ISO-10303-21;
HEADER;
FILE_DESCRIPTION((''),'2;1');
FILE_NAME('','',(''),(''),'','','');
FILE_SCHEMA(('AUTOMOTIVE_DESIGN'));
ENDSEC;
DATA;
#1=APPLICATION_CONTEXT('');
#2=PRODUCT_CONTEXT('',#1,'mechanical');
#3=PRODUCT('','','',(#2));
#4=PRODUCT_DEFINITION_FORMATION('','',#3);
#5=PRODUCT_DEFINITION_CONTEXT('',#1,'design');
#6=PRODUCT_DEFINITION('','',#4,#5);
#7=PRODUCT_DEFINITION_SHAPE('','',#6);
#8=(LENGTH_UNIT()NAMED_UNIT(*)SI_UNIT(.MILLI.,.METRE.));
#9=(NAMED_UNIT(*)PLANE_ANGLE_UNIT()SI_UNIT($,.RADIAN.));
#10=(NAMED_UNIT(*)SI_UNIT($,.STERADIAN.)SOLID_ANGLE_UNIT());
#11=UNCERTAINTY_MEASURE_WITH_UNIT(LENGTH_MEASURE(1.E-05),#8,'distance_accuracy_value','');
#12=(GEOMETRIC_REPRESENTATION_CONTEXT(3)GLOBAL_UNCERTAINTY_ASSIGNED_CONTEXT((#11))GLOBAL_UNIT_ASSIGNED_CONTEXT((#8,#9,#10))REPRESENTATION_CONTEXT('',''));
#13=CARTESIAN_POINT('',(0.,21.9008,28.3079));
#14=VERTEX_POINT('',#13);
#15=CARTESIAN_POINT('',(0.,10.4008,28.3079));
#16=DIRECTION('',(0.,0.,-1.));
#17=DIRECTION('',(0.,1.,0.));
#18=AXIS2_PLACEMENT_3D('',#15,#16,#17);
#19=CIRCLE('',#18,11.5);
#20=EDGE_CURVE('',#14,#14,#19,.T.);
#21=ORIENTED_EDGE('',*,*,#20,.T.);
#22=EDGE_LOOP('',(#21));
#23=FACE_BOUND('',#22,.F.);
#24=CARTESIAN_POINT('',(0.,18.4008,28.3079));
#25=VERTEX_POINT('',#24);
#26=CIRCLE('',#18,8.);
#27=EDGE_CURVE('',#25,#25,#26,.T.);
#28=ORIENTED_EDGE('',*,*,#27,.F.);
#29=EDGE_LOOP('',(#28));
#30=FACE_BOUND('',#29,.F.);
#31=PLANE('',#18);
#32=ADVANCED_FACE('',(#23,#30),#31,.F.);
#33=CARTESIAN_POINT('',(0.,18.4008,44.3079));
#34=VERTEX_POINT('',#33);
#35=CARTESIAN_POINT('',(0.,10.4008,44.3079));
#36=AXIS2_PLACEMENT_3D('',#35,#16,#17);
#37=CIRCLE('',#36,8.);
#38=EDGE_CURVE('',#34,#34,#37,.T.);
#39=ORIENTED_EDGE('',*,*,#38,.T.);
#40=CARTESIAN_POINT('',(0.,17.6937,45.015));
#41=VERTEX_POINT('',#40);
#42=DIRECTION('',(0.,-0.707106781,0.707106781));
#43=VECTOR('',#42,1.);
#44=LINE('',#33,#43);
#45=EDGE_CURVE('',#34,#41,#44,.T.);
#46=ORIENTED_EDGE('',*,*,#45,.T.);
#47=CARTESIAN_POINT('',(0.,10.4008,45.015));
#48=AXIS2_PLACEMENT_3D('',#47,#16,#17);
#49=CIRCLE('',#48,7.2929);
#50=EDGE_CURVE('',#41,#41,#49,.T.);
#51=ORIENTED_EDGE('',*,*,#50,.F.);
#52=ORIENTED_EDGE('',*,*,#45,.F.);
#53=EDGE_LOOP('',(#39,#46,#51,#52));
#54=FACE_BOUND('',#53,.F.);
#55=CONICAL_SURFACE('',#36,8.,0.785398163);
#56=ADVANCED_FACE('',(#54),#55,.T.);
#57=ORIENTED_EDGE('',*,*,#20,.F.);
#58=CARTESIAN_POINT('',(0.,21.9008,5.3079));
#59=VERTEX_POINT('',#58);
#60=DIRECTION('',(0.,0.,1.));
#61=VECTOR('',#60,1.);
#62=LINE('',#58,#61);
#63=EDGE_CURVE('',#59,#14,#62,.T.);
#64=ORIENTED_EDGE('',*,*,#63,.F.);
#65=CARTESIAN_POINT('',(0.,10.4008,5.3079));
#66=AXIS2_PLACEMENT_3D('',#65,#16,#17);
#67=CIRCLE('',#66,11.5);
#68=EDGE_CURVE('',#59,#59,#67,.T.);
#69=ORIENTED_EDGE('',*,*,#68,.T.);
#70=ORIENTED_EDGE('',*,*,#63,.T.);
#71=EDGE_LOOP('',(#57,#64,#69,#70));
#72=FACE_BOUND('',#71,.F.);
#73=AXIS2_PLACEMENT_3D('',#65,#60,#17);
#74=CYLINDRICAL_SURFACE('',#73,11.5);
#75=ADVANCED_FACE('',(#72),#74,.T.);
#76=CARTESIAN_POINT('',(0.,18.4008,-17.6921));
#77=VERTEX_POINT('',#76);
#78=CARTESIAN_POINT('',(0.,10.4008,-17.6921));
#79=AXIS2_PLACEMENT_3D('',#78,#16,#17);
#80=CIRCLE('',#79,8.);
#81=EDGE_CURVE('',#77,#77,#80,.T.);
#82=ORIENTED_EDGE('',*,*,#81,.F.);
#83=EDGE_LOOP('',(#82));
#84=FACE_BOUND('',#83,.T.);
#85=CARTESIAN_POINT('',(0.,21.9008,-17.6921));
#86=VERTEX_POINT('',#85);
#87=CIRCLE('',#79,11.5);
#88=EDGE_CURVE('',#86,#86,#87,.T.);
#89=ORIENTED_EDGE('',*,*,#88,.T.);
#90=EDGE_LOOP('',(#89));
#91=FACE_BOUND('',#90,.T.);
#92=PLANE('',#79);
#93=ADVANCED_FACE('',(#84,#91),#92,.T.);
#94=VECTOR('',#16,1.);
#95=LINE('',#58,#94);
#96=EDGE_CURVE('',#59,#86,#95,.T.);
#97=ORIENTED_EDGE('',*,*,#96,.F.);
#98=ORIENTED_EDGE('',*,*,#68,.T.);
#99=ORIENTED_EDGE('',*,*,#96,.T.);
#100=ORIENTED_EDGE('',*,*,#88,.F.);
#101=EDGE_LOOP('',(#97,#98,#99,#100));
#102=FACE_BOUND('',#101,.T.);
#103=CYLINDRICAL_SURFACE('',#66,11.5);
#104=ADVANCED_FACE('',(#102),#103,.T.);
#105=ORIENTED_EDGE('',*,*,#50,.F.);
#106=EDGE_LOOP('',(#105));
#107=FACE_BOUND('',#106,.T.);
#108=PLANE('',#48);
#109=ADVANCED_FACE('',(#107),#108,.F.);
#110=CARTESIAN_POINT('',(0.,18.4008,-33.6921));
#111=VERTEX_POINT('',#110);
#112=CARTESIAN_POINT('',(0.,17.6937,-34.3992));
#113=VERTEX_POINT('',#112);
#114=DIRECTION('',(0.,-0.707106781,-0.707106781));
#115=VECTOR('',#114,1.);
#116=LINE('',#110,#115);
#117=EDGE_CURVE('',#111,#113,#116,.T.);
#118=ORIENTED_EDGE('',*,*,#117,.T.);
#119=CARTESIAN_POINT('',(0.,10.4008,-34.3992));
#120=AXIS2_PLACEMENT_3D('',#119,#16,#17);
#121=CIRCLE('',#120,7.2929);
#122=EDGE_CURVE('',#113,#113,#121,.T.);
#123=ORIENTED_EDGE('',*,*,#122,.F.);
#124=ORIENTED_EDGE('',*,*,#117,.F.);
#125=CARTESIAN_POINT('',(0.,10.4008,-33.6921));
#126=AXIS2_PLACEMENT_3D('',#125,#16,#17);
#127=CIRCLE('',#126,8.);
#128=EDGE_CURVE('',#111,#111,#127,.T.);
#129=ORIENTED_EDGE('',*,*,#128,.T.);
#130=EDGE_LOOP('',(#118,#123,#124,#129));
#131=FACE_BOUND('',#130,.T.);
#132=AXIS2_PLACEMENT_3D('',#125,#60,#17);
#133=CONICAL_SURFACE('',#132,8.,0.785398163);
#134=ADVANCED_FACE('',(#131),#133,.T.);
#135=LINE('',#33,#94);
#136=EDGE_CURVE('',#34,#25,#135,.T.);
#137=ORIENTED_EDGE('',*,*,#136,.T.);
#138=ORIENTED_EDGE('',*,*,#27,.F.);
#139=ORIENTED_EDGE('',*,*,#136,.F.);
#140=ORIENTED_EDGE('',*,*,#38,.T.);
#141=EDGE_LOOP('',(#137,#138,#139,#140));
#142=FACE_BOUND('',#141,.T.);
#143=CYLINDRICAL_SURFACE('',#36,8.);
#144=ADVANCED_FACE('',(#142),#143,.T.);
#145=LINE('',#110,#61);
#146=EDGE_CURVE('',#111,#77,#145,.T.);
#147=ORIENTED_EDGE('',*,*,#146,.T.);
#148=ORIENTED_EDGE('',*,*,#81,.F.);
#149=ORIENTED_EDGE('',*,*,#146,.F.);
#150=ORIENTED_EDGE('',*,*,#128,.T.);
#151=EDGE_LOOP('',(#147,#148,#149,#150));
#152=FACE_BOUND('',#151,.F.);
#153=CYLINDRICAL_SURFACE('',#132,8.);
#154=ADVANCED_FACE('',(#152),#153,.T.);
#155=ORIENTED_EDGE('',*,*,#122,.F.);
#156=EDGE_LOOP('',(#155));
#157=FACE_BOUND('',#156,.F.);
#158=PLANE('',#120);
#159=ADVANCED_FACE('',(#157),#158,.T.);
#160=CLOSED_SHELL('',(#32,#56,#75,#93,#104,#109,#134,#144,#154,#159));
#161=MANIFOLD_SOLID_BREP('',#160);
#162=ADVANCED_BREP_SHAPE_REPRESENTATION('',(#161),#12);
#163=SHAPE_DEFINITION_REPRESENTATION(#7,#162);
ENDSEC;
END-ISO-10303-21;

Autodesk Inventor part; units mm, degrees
ref_plane "YZ Plane" through (0, 0, 0) normal (1, 0, 0) x (0, 1, 0)
ref_plane "XZ Plane" through (0, 0, 0) normal (0, 1, 0) x (-1, 0, 0)
ref_plane "XY Plane" through (0, 0, 0) normal (0, 0, 1) x (1, 0, 0)
sketch "Sketch1" plane through (0, 0, 0) normal (1, 0, 0) x (0, 1, 0)
  line L0 (21.9008, 5.3079) -> (21.9008, 28.3079)
  line L1 (18.4008, 28.3079) -> (17.6937, 28.3079)
  line L2 (2.4008, 44.015) -> (2.4008, 44.3079)
  line L3 (18.4008, 44.3079) -> (18.4008, 28.3079)
  line L4 (21.9008, 5.3079) -> (17.6937, 5.3079)
  line L5 (3.1079, 44.015) -> (3.1079, 45.015)
  line L6 (10.4008, 45.015) -> (17.6937, 45.015)
  line L7 (17.6937, 44.3079) -> (17.6937, 44.015)
  line L8 (18.4008, 44.3079) -> (17.6937, 45.015)
  line L9 (3.1079, 45.015) -> (2.4008, 44.3079)
  line L10 (21.9008, 5.3079) -> (21.9008, -17.6921)
  line L11 (18.4008, -17.6921) -> (17.6937, -17.6921)
  line L12 (2.4008, -33.3992) -> (2.4008, -33.6921)
  line L13 (18.4008, -33.6921) -> (18.4008, -17.6921)
  line L14 (3.1079, -33.3992) -> (3.1079, -33.6921)
  line L15 (10.4008, -34.3992) -> (17.6937, -34.3992)
  line L16 (18.4008, -33.6921) -> (17.6937, -34.3992)
  line L17 (10.4008, 15) -> (10.4008, -10)
  line L18 (10.4008, 15) -> (10.4008, 87)
  line L19 (10.4008, 87) -> (10.4008, 13)
  line L20 (10.4008, 5.3079) -> (10.4008, -49)
  line L21 (2.4008, 44.3079) -> (3.1079, 44.3079)
  line L22 (17.6937, 44.3079) -> (18.4008, 44.3079)
  line L23 (21.9008, 28.3079) -> (18.4008, 28.3079)
  line L24 (21.9008, -17.6921) -> (18.4008, -17.6921)
  point P0 (0, 0)
  point P1 (0, 10.6157)
  point P2 (3.1079, -34.3992)
  dimension "d1" = 16
  dimension "d2" = 3.5
  dimension "d3" = 23
  dimension "d4" = 16
  dimension "d5" = 1
  dimension "d6" = 1
  dimension "d7" = 11.5
revolve "Revolution1" add sketch "Sketch1" angle 360 about axis through (0, 10.4008, 15) along (0, 0, -1) contours L10 L24 L13 L16 L15 L20 L17 L18 L6 L8 L3 L23 L0
equation "\"d2\" = -0.5 * d1 + 0.5 * d0"
equation "\"d7\" = 0.5 * d0"
equation "\"d0\" = 23"
properties part number "shaft"
